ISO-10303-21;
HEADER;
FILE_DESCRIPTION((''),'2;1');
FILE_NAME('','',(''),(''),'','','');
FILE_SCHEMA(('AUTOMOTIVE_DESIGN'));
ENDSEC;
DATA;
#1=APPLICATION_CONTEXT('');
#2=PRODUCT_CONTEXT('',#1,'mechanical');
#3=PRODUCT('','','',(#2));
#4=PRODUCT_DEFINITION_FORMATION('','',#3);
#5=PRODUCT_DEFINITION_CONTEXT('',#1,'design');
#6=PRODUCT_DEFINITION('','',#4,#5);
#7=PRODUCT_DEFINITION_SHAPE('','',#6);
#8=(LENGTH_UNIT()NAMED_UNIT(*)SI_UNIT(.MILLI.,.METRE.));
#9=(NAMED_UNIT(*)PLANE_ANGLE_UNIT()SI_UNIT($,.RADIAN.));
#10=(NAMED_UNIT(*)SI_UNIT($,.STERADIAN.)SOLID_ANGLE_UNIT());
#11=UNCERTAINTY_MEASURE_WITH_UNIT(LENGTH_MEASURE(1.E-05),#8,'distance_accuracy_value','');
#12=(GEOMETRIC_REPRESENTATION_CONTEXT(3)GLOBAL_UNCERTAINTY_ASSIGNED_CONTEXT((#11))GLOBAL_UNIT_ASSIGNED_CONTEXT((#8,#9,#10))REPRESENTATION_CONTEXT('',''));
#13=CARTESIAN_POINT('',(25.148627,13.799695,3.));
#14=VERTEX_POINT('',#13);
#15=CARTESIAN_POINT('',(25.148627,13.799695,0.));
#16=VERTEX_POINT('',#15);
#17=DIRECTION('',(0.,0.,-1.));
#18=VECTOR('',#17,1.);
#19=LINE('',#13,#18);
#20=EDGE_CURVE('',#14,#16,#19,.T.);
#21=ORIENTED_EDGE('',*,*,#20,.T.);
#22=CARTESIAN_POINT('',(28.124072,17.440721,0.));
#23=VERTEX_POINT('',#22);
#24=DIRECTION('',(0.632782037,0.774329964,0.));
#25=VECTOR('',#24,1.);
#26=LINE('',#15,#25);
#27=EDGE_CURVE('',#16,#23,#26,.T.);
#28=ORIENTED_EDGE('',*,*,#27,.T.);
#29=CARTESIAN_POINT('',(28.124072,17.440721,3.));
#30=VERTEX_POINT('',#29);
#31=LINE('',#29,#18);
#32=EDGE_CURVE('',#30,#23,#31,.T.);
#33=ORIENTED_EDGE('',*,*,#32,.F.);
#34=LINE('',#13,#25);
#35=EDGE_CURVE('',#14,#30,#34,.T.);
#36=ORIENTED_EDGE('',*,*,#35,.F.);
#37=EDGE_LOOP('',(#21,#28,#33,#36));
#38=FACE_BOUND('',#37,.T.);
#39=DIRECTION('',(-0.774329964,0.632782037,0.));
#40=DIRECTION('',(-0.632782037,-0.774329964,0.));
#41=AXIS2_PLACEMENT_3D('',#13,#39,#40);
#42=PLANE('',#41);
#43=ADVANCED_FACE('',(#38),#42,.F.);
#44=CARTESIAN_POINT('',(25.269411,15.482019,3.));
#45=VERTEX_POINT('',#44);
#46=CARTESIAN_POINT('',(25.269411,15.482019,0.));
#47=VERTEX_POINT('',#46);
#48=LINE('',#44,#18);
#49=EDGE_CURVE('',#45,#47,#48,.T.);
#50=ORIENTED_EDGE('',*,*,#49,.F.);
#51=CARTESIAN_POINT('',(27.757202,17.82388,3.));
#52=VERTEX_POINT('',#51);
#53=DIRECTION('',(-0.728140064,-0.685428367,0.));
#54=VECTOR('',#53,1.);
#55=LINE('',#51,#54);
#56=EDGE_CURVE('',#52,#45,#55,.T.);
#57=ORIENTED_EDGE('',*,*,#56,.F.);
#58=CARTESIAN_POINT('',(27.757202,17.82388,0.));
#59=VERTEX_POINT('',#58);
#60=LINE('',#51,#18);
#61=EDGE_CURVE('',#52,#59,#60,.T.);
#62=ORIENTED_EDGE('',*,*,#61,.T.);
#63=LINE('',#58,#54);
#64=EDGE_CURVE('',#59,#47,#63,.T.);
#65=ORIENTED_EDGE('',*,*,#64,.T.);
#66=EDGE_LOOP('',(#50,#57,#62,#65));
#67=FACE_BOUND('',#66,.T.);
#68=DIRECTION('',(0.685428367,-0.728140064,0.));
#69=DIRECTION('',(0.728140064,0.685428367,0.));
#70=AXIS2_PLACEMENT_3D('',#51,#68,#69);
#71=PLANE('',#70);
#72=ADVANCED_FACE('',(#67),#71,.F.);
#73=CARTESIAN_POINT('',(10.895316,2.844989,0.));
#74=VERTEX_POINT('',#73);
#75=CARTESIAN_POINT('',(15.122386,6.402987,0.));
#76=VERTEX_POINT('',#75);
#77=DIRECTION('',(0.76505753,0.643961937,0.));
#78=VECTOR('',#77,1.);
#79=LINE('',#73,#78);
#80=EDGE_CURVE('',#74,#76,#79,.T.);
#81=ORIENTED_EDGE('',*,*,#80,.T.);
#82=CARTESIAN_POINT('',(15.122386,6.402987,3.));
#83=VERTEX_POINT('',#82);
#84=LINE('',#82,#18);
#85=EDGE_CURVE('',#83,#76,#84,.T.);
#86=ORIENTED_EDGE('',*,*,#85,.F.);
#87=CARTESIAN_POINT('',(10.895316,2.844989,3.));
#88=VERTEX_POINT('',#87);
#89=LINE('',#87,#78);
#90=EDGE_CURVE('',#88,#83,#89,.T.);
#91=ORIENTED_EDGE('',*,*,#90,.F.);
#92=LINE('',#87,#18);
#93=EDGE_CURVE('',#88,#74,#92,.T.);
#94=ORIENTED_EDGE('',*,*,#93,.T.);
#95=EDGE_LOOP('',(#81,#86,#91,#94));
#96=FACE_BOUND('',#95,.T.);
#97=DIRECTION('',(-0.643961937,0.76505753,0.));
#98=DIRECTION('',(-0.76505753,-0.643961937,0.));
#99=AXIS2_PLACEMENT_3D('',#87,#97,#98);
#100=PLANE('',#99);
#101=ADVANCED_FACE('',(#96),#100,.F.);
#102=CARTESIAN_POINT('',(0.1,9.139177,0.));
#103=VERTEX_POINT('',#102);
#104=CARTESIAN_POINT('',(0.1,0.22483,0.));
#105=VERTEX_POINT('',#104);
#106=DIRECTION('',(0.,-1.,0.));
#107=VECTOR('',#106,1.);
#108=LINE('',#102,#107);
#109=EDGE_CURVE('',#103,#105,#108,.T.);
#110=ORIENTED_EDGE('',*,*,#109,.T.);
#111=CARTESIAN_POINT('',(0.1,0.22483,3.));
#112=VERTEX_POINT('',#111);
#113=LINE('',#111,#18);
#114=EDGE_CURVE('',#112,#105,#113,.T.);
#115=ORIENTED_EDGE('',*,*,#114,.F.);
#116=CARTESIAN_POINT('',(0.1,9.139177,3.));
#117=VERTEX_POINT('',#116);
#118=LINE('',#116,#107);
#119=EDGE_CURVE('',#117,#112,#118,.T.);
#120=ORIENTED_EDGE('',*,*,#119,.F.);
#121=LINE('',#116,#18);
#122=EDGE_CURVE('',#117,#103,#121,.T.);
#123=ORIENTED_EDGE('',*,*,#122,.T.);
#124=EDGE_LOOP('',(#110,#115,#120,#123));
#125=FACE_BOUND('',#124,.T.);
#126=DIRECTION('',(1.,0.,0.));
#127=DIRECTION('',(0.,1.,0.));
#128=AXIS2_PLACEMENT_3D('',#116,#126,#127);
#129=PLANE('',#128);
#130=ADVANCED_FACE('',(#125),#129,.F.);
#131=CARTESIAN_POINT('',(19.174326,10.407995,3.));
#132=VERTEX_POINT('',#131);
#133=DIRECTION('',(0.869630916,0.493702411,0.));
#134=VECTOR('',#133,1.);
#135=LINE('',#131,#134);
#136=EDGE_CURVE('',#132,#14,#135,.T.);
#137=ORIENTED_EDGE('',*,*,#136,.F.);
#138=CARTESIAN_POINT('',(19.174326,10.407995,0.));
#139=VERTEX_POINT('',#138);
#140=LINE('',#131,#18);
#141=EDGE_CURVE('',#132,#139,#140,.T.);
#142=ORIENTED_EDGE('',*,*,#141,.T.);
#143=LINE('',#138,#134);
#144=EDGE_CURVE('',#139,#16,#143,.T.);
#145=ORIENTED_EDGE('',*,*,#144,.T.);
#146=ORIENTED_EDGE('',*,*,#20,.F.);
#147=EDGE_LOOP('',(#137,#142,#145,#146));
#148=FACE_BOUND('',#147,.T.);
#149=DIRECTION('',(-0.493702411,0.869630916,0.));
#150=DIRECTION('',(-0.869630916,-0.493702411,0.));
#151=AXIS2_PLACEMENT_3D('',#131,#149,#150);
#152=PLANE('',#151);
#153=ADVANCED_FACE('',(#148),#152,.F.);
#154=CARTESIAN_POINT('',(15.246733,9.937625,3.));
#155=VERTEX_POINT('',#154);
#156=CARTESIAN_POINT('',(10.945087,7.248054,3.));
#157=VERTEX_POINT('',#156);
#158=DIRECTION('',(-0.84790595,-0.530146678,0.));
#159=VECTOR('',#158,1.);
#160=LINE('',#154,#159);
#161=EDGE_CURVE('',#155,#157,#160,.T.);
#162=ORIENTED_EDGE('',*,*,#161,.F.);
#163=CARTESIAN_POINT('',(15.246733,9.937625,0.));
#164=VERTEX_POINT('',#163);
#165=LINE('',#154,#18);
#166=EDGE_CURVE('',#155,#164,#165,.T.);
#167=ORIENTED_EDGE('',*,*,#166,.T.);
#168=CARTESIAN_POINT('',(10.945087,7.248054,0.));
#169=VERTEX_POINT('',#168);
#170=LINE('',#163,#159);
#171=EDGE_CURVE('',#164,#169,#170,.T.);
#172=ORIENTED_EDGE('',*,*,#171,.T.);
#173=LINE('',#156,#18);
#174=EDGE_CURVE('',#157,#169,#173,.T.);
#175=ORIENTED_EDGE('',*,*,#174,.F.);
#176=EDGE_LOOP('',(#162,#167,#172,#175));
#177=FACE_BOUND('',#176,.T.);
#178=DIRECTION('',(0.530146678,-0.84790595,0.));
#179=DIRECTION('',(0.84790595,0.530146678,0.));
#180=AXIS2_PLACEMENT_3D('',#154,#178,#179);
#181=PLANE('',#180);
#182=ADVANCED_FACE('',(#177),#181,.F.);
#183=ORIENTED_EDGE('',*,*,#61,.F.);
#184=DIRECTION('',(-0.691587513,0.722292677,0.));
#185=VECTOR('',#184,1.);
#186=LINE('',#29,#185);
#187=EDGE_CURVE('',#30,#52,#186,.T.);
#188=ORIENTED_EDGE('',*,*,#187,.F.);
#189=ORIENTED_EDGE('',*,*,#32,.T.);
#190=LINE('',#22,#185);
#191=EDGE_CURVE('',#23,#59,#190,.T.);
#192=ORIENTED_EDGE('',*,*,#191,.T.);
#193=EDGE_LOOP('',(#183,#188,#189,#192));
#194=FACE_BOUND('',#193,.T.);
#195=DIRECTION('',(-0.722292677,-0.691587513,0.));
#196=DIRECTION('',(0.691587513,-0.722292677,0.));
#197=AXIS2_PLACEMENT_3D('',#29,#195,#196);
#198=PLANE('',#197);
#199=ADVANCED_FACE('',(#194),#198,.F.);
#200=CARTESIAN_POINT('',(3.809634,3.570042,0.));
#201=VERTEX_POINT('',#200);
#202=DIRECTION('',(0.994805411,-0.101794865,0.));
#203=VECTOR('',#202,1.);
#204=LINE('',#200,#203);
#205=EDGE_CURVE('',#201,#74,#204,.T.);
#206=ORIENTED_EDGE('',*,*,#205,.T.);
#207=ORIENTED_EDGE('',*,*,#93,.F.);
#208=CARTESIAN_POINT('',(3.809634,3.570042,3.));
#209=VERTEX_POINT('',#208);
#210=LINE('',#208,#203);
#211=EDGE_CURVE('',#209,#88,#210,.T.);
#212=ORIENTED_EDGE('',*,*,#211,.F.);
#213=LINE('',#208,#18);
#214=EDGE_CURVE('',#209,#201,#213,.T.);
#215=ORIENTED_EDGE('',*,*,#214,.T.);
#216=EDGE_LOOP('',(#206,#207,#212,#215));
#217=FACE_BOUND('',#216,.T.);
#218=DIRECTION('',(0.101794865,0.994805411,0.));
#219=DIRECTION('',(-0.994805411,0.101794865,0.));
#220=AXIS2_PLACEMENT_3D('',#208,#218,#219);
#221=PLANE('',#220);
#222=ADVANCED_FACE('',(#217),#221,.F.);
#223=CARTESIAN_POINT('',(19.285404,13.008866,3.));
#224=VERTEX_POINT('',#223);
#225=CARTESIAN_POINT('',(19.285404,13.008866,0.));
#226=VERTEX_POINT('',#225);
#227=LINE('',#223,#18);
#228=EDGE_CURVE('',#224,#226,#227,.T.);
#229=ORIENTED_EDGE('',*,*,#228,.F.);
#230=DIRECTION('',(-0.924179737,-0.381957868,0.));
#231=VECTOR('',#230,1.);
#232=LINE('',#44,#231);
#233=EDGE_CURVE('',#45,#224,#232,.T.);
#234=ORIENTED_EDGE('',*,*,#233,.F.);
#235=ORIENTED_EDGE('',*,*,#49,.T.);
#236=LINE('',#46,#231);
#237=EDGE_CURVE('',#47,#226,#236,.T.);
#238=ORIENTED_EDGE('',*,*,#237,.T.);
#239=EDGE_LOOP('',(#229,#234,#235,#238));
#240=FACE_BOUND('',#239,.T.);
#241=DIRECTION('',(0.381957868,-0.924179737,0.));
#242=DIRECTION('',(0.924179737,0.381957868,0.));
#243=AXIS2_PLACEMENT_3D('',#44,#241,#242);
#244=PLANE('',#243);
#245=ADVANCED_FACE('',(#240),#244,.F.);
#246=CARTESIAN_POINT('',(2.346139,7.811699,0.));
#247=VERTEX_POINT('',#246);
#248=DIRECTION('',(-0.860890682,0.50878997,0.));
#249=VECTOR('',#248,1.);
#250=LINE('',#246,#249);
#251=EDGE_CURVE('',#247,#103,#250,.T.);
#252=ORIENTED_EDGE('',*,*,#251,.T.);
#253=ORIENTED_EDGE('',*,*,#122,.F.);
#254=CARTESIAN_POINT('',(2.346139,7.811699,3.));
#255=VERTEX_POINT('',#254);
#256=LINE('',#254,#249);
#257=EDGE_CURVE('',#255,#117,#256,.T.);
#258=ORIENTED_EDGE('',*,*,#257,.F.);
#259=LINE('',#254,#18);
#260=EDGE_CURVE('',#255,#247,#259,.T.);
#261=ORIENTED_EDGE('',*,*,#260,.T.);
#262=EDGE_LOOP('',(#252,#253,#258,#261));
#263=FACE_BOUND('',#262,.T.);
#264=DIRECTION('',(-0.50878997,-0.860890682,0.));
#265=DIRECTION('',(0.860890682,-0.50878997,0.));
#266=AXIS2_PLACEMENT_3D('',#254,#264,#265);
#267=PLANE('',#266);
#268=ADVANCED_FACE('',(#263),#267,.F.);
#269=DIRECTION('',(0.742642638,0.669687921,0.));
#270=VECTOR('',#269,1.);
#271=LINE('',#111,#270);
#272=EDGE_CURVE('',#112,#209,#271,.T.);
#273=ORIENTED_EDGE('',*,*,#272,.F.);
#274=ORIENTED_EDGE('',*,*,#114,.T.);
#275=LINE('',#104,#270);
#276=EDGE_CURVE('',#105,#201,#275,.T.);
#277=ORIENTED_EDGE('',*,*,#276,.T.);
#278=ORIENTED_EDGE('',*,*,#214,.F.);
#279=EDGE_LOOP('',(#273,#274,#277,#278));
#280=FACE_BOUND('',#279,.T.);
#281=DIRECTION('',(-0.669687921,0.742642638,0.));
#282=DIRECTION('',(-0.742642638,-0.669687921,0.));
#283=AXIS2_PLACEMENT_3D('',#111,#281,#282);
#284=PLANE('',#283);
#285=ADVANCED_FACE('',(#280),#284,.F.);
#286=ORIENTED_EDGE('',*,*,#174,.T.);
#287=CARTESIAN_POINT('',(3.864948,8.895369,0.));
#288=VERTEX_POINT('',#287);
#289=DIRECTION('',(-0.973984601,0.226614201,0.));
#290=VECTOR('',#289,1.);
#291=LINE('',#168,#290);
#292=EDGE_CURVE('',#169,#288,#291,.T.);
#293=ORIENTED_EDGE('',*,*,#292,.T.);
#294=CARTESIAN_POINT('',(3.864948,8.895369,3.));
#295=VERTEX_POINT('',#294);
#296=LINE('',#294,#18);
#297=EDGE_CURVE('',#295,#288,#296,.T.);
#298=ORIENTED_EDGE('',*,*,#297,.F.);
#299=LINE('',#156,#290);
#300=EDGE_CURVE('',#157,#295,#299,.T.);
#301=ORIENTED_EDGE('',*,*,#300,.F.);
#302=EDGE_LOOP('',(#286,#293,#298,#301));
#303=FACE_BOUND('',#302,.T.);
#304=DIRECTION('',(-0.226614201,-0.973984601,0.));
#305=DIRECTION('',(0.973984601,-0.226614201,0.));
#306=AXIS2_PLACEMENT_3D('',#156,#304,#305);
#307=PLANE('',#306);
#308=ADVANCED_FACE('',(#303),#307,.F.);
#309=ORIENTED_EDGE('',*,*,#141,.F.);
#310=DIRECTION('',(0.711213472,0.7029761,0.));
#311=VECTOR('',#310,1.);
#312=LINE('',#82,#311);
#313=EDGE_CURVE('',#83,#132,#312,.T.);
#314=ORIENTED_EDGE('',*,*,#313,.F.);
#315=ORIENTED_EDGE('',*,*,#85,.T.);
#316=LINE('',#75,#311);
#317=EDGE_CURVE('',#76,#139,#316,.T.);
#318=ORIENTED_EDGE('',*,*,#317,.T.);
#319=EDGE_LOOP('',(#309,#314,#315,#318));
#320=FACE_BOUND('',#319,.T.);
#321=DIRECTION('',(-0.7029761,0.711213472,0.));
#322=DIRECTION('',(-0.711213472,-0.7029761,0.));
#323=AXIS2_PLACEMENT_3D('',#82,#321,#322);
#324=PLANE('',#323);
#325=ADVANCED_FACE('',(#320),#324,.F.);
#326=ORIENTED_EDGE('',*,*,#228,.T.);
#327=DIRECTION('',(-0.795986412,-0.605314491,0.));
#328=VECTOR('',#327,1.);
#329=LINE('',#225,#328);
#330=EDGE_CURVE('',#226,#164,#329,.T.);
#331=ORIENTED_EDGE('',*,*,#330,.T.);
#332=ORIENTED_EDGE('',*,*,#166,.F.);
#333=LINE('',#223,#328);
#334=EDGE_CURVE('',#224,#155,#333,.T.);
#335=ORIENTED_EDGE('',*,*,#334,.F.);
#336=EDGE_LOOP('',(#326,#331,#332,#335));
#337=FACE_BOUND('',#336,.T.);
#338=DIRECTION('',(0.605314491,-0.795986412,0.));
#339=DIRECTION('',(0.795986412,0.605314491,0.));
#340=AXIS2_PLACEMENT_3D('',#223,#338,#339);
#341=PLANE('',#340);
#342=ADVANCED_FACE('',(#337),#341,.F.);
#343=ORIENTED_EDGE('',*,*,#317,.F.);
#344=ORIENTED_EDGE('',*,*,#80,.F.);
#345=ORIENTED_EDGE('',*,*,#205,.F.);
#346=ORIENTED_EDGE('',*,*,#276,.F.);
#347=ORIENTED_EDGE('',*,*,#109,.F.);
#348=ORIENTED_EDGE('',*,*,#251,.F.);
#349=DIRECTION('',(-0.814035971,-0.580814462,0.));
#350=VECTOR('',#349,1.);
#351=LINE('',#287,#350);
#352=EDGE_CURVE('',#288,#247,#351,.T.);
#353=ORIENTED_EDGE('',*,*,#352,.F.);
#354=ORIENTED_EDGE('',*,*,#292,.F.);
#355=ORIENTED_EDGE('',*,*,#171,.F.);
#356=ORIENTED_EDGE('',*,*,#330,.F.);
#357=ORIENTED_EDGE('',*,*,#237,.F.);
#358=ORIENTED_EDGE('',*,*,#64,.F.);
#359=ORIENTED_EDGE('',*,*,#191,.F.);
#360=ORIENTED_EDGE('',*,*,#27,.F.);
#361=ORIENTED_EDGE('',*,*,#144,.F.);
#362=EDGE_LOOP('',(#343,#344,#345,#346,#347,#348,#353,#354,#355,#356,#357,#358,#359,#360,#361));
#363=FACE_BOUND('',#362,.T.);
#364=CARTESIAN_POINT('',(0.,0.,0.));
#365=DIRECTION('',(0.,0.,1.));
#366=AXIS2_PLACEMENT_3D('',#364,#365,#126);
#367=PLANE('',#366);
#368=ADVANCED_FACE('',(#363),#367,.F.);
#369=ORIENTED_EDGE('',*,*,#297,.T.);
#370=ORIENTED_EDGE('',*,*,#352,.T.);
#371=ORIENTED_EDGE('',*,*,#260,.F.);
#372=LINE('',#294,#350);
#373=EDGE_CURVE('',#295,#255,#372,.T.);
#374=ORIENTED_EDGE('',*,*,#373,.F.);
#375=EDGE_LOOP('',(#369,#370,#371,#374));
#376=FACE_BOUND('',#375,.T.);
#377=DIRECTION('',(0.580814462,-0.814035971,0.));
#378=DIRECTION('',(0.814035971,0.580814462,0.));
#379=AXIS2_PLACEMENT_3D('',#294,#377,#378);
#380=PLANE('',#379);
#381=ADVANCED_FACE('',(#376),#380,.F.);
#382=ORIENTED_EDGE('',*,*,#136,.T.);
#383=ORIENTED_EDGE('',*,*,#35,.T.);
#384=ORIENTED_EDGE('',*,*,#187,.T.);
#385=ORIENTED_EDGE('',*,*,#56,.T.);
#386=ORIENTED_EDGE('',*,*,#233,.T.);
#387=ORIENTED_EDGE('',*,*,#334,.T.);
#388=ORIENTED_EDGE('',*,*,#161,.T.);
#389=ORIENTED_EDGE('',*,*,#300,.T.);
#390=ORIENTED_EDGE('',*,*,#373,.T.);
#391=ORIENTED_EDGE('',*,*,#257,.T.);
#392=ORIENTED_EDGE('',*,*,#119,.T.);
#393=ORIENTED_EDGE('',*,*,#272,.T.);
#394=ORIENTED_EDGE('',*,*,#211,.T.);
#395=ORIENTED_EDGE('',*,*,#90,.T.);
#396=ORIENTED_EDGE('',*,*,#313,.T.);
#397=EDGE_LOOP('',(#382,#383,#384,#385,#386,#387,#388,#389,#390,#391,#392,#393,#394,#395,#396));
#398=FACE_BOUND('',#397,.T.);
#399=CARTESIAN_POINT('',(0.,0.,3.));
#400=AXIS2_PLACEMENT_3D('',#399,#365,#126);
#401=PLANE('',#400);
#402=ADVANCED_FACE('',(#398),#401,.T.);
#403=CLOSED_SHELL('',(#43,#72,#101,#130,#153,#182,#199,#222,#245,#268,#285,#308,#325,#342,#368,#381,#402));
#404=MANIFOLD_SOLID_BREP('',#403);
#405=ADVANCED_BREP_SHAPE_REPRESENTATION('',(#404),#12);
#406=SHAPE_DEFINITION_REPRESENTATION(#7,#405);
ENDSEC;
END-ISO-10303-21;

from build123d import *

# Parameters (mm, degrees)
AUFSATZ_LINEAR_AUSTRAGEN1_DEPTH = 3


with BuildPart() as part:
    # Model → Aufsatz-Linear austragen1 (new body)
    with BuildSketch(Plane.XY):
        Polygon((27.757201613, 17.823879819), (25.269410576, 15.48201919), (19.285403887, 13.008865595), (15.246732761, 9.937624528), (10.945087096, 7.248053638), (3.864948468, 8.895369168), (2.346139264, 7.811699181), (0.1, 9.139176818), (0.1, 0.224829603), (3.809633928, 3.57004156), (10.895315766, 2.844989185), (15.122386477, 6.402986505), (19.174325502, 10.407995412), (25.148627395, 13.799695492), (28.124071775, 17.440721322), align=None)
    extrude(amount=AUFSATZ_LINEAR_AUSTRAGEN1_DEPTH)


solid = part.part
